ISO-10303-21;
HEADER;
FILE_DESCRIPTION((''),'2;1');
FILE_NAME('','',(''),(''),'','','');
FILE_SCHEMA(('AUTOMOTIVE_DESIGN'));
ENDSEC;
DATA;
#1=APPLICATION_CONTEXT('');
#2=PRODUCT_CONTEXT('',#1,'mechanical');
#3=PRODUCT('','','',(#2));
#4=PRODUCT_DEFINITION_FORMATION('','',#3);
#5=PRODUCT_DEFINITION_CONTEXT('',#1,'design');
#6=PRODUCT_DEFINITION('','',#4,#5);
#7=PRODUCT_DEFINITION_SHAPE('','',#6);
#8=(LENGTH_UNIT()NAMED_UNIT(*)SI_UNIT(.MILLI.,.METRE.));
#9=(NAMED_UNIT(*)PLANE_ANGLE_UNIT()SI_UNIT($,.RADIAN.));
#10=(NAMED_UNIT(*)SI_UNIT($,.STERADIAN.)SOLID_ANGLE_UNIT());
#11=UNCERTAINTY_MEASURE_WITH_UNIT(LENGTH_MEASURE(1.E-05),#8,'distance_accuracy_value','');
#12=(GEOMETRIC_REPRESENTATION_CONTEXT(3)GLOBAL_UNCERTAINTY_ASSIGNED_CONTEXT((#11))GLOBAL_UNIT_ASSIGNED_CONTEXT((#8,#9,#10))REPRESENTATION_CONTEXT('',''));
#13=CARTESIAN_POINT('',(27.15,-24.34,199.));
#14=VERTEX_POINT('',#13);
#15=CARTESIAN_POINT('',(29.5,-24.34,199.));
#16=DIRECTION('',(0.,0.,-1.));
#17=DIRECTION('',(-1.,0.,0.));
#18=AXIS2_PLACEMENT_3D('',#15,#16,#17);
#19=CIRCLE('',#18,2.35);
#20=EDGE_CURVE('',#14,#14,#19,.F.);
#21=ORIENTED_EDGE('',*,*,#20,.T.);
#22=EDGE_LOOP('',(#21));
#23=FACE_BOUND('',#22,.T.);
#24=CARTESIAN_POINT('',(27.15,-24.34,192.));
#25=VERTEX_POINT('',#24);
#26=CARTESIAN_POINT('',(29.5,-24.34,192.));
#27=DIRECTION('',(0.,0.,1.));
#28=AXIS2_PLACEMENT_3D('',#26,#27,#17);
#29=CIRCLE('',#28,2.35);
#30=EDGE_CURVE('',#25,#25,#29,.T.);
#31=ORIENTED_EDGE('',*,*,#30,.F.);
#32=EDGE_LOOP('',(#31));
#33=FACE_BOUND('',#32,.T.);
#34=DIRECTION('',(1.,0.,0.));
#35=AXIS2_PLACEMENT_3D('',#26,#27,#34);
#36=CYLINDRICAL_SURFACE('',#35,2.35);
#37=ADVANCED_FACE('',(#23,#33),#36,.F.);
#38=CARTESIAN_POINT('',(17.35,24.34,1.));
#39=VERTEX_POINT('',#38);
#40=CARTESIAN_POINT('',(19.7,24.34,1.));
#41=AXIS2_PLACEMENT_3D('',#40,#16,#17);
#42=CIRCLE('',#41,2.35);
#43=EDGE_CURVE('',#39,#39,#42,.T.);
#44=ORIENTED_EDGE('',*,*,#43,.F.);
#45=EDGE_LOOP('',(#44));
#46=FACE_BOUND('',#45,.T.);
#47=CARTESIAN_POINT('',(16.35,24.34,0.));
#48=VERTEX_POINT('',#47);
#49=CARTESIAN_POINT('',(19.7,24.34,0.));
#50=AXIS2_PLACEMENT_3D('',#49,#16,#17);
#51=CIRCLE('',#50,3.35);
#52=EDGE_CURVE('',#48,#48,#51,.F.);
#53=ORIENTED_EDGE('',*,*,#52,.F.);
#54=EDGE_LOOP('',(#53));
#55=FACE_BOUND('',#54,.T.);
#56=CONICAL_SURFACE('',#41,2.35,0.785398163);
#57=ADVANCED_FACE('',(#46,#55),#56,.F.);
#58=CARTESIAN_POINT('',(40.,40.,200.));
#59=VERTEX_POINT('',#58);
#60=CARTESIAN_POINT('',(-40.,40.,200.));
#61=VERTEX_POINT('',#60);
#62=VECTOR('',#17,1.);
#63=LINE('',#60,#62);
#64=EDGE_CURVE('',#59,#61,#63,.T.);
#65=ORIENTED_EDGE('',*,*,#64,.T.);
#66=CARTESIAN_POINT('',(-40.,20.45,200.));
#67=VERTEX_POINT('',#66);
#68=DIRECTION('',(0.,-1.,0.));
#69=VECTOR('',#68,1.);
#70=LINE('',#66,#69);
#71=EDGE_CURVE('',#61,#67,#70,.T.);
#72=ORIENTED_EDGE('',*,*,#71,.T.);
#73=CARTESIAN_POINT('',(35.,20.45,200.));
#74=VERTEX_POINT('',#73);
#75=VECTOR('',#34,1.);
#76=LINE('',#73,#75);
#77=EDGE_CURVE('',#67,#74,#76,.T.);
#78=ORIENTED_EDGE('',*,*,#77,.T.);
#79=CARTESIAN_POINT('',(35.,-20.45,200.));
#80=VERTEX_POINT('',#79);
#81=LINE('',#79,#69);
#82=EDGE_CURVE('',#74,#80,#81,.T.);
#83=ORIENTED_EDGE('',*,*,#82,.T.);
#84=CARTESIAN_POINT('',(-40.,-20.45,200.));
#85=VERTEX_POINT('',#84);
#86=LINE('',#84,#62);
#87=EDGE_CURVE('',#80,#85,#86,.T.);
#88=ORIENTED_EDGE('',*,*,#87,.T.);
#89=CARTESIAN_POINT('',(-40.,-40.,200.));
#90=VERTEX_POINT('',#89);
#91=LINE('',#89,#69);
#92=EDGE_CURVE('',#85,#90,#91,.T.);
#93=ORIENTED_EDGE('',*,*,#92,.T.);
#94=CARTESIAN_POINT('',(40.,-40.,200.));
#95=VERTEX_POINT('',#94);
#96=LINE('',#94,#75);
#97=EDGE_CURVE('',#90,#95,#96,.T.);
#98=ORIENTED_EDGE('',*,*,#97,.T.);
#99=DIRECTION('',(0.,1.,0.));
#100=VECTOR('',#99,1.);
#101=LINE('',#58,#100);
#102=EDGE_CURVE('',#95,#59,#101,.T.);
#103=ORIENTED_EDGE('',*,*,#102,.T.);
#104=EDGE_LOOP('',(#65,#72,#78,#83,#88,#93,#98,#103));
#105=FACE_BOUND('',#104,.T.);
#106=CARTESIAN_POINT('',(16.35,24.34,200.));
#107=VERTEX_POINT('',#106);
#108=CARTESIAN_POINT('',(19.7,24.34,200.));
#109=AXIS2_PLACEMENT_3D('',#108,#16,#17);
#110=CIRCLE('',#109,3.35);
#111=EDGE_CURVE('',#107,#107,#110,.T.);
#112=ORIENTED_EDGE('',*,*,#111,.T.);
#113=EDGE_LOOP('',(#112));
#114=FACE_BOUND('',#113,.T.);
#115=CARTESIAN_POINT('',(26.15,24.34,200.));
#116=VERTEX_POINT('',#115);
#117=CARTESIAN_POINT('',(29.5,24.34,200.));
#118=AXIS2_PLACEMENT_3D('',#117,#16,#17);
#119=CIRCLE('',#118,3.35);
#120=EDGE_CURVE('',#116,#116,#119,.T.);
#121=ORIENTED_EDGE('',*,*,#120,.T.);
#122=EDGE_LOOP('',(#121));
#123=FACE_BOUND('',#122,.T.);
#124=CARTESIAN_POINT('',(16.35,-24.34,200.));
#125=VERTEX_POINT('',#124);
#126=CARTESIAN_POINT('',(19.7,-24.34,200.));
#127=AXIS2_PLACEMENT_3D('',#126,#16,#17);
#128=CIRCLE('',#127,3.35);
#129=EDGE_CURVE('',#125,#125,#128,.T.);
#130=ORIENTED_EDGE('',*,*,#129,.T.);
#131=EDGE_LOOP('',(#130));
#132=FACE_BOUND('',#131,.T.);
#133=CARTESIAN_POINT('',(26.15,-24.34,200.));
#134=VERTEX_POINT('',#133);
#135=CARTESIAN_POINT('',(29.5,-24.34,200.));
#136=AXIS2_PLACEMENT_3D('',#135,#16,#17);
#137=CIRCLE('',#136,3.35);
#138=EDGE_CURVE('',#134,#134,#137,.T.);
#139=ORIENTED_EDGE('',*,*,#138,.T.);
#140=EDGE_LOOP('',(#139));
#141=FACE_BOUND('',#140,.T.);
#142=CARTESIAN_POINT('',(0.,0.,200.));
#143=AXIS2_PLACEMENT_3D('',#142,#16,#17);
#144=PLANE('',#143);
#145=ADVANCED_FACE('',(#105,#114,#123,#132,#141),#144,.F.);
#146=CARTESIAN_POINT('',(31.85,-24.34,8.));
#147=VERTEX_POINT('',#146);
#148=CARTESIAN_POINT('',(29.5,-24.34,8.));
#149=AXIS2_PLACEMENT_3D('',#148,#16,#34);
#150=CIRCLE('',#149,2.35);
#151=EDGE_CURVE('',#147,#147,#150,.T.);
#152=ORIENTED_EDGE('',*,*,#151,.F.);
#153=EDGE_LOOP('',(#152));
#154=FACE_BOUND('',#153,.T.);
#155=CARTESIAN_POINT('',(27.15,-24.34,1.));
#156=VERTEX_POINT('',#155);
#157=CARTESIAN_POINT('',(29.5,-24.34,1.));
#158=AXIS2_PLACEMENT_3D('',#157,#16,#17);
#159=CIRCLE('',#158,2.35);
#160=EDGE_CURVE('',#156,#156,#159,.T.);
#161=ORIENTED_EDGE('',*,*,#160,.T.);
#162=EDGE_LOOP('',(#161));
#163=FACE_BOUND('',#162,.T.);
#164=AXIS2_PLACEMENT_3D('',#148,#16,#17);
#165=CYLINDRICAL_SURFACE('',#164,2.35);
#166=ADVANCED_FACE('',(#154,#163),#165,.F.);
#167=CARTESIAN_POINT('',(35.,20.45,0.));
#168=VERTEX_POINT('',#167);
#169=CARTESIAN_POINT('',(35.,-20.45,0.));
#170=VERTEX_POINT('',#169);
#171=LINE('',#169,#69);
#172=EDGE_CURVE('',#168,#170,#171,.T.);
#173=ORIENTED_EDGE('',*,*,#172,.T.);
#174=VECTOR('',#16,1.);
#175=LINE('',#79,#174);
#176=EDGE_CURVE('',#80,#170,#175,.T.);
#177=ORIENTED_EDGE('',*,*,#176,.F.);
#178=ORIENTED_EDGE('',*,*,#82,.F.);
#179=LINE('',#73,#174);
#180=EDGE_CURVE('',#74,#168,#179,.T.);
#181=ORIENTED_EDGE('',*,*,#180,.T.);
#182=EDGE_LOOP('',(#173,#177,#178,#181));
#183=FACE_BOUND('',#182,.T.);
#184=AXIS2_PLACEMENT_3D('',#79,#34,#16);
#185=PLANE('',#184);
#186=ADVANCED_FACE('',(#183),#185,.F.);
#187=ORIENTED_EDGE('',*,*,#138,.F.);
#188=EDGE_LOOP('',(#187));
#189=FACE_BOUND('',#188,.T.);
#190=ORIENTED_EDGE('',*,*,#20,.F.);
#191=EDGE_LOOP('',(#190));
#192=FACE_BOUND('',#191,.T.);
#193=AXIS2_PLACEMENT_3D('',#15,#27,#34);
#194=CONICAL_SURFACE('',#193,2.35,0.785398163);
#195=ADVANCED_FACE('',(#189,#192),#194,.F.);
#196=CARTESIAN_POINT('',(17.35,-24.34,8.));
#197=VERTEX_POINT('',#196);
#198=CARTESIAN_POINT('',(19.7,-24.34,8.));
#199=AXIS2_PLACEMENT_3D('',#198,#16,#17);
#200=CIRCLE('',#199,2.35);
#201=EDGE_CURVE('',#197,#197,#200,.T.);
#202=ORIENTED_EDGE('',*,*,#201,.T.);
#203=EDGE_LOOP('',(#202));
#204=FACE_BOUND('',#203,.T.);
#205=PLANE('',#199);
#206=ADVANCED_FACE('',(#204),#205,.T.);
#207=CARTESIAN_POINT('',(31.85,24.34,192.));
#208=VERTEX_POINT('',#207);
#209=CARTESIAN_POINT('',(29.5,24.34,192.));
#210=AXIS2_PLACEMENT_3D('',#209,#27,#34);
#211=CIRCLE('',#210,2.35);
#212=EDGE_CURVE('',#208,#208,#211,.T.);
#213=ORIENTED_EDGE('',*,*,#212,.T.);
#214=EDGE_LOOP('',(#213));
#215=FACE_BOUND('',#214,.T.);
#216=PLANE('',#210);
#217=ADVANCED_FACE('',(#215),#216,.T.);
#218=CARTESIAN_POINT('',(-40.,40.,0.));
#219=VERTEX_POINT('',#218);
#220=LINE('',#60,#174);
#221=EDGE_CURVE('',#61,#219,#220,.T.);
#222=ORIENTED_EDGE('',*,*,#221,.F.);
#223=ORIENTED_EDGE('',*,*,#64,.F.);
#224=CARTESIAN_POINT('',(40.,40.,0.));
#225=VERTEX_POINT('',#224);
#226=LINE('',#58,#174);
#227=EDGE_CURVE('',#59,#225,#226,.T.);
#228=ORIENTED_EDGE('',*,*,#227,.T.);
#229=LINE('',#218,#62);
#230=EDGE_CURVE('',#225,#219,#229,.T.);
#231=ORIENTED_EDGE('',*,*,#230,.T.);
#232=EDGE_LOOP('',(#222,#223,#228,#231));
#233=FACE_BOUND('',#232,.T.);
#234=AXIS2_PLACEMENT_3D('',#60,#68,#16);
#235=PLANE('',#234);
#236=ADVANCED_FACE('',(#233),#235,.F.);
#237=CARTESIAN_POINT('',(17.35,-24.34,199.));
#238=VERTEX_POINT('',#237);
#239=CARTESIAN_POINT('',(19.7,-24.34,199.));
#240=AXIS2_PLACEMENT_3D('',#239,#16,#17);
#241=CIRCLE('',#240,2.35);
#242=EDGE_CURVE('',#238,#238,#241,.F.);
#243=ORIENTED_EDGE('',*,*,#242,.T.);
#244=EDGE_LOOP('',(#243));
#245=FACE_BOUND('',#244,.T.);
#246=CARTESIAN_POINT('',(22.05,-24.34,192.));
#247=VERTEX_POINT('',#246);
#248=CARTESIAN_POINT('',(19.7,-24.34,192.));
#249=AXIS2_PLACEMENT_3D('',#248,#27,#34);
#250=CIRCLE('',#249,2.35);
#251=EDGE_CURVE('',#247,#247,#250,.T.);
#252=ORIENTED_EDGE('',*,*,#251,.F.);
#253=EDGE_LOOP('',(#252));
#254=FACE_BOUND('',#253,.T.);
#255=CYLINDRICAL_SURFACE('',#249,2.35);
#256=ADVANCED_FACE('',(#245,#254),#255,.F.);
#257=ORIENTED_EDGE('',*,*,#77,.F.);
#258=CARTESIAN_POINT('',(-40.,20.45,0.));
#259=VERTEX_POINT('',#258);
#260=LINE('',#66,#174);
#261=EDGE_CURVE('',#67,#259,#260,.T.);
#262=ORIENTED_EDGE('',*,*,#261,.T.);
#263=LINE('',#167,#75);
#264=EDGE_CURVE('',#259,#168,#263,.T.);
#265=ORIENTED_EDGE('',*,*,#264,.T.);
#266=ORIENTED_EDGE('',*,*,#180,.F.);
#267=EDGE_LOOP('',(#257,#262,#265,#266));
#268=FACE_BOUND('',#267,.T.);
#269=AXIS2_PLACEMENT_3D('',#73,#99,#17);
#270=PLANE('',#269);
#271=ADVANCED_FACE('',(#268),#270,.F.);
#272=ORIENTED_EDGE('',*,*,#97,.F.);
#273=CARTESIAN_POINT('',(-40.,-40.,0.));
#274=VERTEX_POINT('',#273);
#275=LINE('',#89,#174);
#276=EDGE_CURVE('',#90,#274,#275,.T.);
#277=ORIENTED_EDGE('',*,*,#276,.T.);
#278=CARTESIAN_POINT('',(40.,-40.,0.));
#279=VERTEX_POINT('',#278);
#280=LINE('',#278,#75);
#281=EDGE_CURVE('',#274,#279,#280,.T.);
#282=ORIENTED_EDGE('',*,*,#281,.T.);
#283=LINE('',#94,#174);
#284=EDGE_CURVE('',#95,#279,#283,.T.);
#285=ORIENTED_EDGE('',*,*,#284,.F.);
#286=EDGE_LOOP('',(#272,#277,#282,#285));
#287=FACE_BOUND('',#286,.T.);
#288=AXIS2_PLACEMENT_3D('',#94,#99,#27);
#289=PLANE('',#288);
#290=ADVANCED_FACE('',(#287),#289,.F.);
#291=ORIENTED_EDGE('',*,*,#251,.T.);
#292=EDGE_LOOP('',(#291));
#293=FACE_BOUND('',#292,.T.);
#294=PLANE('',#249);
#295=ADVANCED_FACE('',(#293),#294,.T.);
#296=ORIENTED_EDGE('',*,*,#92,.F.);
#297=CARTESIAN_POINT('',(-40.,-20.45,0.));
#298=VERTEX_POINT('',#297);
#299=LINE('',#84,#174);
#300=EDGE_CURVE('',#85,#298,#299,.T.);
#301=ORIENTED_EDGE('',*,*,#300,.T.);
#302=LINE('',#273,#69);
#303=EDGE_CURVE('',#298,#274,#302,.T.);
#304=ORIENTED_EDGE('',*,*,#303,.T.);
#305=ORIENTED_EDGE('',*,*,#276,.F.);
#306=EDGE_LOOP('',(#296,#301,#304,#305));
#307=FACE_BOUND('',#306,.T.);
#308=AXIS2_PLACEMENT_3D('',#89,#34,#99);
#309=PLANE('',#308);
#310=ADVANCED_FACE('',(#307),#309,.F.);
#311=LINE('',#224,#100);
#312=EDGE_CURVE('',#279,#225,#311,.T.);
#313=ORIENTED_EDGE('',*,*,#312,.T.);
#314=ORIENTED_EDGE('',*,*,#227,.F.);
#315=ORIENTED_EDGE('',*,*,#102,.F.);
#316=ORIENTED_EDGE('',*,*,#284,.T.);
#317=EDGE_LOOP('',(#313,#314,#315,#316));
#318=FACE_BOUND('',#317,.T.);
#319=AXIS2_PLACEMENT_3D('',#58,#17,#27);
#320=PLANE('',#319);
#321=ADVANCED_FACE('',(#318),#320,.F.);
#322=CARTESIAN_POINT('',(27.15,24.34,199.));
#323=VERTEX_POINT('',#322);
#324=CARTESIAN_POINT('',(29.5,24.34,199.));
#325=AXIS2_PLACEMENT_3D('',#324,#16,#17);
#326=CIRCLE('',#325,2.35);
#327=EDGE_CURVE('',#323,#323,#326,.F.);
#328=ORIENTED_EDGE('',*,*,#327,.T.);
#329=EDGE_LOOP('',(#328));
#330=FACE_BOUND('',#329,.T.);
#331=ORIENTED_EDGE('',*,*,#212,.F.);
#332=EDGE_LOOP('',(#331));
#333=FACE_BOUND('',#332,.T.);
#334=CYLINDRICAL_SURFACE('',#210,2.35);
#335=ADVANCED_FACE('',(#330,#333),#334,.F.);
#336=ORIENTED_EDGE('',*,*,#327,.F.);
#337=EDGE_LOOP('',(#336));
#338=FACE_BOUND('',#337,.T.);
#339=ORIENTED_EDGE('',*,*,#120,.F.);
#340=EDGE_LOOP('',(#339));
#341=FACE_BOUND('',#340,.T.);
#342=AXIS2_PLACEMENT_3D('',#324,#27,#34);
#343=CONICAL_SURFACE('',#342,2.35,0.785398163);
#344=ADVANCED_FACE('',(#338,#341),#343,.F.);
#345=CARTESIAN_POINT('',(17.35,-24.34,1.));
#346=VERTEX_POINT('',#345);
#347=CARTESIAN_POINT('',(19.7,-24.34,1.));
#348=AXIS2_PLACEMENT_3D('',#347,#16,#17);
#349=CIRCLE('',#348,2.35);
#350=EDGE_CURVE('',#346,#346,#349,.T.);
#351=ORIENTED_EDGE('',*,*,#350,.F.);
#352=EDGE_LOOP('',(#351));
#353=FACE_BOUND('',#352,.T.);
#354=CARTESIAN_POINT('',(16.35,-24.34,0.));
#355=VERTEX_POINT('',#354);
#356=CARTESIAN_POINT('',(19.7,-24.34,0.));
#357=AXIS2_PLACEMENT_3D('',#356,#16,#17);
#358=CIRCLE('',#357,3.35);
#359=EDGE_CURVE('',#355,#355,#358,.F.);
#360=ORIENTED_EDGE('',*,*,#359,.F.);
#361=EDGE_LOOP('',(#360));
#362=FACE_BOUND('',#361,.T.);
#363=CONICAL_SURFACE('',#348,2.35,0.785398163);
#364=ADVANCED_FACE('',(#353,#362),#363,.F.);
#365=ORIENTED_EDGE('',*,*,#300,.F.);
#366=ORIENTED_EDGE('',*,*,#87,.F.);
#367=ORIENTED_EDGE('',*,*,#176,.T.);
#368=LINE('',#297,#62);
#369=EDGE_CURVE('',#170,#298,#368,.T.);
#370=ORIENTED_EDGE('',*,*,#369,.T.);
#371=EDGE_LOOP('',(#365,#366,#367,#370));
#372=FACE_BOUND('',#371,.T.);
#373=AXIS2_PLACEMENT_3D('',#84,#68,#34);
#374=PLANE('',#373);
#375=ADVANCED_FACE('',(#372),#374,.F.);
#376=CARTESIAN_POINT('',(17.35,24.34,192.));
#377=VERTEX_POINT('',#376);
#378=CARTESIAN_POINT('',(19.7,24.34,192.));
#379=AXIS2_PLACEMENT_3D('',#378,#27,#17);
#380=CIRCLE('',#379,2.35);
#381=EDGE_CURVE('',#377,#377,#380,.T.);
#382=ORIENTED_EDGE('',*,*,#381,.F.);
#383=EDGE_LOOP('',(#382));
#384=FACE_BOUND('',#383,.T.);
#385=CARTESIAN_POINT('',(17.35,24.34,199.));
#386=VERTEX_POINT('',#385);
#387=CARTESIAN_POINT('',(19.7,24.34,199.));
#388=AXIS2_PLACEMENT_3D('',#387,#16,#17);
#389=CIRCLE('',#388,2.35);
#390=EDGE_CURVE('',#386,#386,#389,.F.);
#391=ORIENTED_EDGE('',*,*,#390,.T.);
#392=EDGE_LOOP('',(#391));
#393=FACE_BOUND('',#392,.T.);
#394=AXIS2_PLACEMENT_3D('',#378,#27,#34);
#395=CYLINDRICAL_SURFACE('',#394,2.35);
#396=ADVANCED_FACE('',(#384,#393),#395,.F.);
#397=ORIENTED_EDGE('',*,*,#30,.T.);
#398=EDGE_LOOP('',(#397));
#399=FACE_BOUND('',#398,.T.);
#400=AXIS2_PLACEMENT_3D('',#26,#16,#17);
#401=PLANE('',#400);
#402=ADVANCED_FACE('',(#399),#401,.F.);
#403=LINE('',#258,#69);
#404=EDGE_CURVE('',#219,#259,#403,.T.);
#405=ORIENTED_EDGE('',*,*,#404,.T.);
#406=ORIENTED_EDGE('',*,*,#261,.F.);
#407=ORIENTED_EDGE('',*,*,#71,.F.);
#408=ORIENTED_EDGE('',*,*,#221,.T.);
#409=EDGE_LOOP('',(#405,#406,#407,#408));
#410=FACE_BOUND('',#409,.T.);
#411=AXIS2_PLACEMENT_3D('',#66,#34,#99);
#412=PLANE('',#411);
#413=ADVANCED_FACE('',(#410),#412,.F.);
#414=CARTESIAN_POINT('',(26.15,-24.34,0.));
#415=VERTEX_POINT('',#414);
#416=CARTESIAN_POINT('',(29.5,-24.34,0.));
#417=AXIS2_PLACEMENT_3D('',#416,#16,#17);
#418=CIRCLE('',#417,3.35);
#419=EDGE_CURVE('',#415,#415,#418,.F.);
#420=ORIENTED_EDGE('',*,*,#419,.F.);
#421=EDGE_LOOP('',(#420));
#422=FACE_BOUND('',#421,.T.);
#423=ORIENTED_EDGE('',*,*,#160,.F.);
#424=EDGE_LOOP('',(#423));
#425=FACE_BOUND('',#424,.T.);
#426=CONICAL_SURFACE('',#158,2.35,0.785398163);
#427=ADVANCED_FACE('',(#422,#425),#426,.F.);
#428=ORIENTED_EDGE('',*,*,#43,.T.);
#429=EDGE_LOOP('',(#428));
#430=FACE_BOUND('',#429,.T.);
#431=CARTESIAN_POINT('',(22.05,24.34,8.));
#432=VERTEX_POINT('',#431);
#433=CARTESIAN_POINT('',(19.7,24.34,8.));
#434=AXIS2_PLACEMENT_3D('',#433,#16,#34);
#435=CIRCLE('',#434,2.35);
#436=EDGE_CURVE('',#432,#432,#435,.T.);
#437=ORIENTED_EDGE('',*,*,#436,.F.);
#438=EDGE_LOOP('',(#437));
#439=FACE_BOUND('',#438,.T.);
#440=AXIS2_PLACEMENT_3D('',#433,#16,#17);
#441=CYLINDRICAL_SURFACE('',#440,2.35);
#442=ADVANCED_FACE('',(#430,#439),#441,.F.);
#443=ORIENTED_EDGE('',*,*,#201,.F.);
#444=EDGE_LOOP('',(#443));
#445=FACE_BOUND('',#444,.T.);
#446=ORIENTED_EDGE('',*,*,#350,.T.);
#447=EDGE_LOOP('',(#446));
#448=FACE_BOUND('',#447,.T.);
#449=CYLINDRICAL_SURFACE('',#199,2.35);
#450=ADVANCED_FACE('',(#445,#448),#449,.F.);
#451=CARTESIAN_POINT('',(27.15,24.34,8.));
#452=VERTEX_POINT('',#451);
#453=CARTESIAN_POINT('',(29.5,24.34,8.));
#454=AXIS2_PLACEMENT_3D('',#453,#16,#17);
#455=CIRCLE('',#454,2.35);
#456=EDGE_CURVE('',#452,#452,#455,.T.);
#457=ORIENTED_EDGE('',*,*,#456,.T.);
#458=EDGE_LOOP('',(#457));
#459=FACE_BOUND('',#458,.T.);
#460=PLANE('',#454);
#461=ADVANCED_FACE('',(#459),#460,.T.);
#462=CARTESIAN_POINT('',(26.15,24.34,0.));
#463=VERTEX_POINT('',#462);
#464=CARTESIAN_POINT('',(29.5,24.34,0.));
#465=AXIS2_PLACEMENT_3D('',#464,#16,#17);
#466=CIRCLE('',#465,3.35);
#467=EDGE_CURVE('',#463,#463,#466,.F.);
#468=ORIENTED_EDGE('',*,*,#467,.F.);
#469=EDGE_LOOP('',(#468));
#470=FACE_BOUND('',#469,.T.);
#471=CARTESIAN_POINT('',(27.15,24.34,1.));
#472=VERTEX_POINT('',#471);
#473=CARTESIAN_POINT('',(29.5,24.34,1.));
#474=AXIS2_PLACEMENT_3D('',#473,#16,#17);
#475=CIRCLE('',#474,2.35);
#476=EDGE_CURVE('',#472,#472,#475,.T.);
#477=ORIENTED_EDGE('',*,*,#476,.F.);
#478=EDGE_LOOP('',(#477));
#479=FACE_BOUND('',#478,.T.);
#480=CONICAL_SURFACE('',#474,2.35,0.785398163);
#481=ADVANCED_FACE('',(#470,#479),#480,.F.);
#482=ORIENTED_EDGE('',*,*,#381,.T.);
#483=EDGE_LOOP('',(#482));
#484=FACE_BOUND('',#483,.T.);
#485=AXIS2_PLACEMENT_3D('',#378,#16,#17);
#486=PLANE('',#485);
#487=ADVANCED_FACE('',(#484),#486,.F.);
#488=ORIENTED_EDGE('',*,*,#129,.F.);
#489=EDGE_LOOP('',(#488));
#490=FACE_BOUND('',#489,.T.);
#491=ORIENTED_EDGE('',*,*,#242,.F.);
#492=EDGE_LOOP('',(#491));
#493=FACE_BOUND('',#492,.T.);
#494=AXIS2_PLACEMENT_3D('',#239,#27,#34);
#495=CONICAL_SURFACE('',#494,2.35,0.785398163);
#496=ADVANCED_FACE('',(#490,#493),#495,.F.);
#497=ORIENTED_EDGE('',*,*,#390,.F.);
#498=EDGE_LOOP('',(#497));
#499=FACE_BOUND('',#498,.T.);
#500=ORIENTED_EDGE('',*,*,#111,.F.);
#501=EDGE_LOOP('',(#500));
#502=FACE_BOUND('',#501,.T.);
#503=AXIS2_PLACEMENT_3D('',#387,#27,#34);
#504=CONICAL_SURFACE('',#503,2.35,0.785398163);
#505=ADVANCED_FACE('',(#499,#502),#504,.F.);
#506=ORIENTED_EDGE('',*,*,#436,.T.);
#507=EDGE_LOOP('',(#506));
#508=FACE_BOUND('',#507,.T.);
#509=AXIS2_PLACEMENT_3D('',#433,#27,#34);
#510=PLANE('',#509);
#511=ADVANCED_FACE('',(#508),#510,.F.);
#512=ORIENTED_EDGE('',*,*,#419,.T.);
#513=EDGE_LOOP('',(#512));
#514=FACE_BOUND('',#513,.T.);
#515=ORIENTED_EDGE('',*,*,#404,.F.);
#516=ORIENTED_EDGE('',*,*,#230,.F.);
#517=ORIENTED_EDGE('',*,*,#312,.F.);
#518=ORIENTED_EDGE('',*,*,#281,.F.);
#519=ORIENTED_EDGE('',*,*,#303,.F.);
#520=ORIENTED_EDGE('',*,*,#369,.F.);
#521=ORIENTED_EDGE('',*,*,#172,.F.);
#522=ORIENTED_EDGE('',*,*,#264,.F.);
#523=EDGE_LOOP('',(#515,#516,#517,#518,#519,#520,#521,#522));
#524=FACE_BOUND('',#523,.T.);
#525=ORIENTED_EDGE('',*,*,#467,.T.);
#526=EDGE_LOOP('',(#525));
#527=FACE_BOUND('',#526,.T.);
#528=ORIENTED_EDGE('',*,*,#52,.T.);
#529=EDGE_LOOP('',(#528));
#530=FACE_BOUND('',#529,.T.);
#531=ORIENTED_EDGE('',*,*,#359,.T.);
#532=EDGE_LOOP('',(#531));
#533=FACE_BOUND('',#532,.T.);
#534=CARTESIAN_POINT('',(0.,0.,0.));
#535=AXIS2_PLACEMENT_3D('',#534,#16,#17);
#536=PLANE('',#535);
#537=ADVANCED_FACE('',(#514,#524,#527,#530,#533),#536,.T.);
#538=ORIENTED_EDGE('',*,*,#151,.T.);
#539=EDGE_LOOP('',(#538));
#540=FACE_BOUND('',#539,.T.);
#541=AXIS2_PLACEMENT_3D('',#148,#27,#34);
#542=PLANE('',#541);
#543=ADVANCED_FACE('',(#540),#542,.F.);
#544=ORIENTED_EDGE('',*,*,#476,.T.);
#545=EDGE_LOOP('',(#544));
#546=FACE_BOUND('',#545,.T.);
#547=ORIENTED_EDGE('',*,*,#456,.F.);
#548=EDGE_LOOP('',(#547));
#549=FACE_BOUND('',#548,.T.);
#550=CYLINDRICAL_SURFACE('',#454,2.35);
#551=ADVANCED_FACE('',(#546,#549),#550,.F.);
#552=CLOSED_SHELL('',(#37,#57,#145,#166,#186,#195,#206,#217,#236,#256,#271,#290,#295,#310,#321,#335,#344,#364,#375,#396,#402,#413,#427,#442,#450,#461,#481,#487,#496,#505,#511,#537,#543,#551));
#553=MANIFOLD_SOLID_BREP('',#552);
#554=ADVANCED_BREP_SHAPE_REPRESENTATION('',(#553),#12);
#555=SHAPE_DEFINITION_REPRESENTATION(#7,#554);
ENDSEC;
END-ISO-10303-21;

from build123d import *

# Parameters (mm, degrees)
BOSS_EXTRUDE1_DEPTH = 200
SKETCH2_R           = 2.35
CUT_EXTRUDE1_DEPTH  = 8
CUT_EXTRUDE2_START  = -8
SKETCH3_R           = 2.35
CUT_EXTRUDE2_DEPTH  = 8
CHAMFER1_SIZE       = 1


with BuildPart() as part:
    # Sketch1 → Boss-Extrude1 (new body)
    with BuildSketch(Plane.XY):
        Polygon((-40, 40), (40, 40), (40, -40), (-40, -40), (-40, -20.45), (35, -20.45), (35, 20.45), (-40, 20.45), align=None)
    extrude(amount=BOSS_EXTRUDE1_DEPTH)

    # Sketch2 → Cut-Extrude1 (cut)
    with BuildSketch(Plane.XY.offset(200)):
        with Locations((29.5, 24.34)):
            Circle(SKETCH2_R)
        with Locations(Location((19.7, 24.34, 0), (0, 0, 180))):
            Circle(SKETCH2_R)
        with Locations((19.7, -24.34)):
            Circle(SKETCH2_R)
        with Locations(Location((29.5, -24.34, 0), (0, 0, 180))):
            Circle(SKETCH2_R)
    extrude(amount=-CUT_EXTRUDE1_DEPTH, mode=Mode.SUBTRACT)

    # Sketch3 → Cut-Extrude2 (cut)
    with BuildSketch(Plane(origin=(0, 0, 0), x_dir=(-1, 0, 0), z_dir=(0, 0, -1)).offset(CUT_EXTRUDE2_START)):
        with Locations(Location((-29.5, 24.34, 0), (0, 0, 180))):
            Circle(SKETCH3_R)
        with Locations((-19.7, 24.34)):
            Circle(SKETCH3_R)
        with Locations(Location((-19.7, -24.34, 0), (0, 0, 180))):
            Circle(SKETCH3_R)
        with Locations((-29.5, -24.34)):
            Circle(SKETCH3_R)
    extrude(amount=CUT_EXTRUDE2_DEPTH, mode=Mode.SUBTRACT)

    # Chamfer1
    chamfer1_edges = [part.edges().sort_by_distance(p)[0] for p in [
        (31.85, -24.34, 200),
        (17.35, -24.34, 200),
        (22.05, 24.34, 200),
        (27.15, 24.34, 200),
        (31.85, -24.34, 0),
        (17.35, -24.34, 0),
        (22.05, 24.34, 0),
        (27.15, 24.34, 0),
    ]]
    chamfer(chamfer1_edges, length=CHAMFER1_SIZE)


solid = part.part
